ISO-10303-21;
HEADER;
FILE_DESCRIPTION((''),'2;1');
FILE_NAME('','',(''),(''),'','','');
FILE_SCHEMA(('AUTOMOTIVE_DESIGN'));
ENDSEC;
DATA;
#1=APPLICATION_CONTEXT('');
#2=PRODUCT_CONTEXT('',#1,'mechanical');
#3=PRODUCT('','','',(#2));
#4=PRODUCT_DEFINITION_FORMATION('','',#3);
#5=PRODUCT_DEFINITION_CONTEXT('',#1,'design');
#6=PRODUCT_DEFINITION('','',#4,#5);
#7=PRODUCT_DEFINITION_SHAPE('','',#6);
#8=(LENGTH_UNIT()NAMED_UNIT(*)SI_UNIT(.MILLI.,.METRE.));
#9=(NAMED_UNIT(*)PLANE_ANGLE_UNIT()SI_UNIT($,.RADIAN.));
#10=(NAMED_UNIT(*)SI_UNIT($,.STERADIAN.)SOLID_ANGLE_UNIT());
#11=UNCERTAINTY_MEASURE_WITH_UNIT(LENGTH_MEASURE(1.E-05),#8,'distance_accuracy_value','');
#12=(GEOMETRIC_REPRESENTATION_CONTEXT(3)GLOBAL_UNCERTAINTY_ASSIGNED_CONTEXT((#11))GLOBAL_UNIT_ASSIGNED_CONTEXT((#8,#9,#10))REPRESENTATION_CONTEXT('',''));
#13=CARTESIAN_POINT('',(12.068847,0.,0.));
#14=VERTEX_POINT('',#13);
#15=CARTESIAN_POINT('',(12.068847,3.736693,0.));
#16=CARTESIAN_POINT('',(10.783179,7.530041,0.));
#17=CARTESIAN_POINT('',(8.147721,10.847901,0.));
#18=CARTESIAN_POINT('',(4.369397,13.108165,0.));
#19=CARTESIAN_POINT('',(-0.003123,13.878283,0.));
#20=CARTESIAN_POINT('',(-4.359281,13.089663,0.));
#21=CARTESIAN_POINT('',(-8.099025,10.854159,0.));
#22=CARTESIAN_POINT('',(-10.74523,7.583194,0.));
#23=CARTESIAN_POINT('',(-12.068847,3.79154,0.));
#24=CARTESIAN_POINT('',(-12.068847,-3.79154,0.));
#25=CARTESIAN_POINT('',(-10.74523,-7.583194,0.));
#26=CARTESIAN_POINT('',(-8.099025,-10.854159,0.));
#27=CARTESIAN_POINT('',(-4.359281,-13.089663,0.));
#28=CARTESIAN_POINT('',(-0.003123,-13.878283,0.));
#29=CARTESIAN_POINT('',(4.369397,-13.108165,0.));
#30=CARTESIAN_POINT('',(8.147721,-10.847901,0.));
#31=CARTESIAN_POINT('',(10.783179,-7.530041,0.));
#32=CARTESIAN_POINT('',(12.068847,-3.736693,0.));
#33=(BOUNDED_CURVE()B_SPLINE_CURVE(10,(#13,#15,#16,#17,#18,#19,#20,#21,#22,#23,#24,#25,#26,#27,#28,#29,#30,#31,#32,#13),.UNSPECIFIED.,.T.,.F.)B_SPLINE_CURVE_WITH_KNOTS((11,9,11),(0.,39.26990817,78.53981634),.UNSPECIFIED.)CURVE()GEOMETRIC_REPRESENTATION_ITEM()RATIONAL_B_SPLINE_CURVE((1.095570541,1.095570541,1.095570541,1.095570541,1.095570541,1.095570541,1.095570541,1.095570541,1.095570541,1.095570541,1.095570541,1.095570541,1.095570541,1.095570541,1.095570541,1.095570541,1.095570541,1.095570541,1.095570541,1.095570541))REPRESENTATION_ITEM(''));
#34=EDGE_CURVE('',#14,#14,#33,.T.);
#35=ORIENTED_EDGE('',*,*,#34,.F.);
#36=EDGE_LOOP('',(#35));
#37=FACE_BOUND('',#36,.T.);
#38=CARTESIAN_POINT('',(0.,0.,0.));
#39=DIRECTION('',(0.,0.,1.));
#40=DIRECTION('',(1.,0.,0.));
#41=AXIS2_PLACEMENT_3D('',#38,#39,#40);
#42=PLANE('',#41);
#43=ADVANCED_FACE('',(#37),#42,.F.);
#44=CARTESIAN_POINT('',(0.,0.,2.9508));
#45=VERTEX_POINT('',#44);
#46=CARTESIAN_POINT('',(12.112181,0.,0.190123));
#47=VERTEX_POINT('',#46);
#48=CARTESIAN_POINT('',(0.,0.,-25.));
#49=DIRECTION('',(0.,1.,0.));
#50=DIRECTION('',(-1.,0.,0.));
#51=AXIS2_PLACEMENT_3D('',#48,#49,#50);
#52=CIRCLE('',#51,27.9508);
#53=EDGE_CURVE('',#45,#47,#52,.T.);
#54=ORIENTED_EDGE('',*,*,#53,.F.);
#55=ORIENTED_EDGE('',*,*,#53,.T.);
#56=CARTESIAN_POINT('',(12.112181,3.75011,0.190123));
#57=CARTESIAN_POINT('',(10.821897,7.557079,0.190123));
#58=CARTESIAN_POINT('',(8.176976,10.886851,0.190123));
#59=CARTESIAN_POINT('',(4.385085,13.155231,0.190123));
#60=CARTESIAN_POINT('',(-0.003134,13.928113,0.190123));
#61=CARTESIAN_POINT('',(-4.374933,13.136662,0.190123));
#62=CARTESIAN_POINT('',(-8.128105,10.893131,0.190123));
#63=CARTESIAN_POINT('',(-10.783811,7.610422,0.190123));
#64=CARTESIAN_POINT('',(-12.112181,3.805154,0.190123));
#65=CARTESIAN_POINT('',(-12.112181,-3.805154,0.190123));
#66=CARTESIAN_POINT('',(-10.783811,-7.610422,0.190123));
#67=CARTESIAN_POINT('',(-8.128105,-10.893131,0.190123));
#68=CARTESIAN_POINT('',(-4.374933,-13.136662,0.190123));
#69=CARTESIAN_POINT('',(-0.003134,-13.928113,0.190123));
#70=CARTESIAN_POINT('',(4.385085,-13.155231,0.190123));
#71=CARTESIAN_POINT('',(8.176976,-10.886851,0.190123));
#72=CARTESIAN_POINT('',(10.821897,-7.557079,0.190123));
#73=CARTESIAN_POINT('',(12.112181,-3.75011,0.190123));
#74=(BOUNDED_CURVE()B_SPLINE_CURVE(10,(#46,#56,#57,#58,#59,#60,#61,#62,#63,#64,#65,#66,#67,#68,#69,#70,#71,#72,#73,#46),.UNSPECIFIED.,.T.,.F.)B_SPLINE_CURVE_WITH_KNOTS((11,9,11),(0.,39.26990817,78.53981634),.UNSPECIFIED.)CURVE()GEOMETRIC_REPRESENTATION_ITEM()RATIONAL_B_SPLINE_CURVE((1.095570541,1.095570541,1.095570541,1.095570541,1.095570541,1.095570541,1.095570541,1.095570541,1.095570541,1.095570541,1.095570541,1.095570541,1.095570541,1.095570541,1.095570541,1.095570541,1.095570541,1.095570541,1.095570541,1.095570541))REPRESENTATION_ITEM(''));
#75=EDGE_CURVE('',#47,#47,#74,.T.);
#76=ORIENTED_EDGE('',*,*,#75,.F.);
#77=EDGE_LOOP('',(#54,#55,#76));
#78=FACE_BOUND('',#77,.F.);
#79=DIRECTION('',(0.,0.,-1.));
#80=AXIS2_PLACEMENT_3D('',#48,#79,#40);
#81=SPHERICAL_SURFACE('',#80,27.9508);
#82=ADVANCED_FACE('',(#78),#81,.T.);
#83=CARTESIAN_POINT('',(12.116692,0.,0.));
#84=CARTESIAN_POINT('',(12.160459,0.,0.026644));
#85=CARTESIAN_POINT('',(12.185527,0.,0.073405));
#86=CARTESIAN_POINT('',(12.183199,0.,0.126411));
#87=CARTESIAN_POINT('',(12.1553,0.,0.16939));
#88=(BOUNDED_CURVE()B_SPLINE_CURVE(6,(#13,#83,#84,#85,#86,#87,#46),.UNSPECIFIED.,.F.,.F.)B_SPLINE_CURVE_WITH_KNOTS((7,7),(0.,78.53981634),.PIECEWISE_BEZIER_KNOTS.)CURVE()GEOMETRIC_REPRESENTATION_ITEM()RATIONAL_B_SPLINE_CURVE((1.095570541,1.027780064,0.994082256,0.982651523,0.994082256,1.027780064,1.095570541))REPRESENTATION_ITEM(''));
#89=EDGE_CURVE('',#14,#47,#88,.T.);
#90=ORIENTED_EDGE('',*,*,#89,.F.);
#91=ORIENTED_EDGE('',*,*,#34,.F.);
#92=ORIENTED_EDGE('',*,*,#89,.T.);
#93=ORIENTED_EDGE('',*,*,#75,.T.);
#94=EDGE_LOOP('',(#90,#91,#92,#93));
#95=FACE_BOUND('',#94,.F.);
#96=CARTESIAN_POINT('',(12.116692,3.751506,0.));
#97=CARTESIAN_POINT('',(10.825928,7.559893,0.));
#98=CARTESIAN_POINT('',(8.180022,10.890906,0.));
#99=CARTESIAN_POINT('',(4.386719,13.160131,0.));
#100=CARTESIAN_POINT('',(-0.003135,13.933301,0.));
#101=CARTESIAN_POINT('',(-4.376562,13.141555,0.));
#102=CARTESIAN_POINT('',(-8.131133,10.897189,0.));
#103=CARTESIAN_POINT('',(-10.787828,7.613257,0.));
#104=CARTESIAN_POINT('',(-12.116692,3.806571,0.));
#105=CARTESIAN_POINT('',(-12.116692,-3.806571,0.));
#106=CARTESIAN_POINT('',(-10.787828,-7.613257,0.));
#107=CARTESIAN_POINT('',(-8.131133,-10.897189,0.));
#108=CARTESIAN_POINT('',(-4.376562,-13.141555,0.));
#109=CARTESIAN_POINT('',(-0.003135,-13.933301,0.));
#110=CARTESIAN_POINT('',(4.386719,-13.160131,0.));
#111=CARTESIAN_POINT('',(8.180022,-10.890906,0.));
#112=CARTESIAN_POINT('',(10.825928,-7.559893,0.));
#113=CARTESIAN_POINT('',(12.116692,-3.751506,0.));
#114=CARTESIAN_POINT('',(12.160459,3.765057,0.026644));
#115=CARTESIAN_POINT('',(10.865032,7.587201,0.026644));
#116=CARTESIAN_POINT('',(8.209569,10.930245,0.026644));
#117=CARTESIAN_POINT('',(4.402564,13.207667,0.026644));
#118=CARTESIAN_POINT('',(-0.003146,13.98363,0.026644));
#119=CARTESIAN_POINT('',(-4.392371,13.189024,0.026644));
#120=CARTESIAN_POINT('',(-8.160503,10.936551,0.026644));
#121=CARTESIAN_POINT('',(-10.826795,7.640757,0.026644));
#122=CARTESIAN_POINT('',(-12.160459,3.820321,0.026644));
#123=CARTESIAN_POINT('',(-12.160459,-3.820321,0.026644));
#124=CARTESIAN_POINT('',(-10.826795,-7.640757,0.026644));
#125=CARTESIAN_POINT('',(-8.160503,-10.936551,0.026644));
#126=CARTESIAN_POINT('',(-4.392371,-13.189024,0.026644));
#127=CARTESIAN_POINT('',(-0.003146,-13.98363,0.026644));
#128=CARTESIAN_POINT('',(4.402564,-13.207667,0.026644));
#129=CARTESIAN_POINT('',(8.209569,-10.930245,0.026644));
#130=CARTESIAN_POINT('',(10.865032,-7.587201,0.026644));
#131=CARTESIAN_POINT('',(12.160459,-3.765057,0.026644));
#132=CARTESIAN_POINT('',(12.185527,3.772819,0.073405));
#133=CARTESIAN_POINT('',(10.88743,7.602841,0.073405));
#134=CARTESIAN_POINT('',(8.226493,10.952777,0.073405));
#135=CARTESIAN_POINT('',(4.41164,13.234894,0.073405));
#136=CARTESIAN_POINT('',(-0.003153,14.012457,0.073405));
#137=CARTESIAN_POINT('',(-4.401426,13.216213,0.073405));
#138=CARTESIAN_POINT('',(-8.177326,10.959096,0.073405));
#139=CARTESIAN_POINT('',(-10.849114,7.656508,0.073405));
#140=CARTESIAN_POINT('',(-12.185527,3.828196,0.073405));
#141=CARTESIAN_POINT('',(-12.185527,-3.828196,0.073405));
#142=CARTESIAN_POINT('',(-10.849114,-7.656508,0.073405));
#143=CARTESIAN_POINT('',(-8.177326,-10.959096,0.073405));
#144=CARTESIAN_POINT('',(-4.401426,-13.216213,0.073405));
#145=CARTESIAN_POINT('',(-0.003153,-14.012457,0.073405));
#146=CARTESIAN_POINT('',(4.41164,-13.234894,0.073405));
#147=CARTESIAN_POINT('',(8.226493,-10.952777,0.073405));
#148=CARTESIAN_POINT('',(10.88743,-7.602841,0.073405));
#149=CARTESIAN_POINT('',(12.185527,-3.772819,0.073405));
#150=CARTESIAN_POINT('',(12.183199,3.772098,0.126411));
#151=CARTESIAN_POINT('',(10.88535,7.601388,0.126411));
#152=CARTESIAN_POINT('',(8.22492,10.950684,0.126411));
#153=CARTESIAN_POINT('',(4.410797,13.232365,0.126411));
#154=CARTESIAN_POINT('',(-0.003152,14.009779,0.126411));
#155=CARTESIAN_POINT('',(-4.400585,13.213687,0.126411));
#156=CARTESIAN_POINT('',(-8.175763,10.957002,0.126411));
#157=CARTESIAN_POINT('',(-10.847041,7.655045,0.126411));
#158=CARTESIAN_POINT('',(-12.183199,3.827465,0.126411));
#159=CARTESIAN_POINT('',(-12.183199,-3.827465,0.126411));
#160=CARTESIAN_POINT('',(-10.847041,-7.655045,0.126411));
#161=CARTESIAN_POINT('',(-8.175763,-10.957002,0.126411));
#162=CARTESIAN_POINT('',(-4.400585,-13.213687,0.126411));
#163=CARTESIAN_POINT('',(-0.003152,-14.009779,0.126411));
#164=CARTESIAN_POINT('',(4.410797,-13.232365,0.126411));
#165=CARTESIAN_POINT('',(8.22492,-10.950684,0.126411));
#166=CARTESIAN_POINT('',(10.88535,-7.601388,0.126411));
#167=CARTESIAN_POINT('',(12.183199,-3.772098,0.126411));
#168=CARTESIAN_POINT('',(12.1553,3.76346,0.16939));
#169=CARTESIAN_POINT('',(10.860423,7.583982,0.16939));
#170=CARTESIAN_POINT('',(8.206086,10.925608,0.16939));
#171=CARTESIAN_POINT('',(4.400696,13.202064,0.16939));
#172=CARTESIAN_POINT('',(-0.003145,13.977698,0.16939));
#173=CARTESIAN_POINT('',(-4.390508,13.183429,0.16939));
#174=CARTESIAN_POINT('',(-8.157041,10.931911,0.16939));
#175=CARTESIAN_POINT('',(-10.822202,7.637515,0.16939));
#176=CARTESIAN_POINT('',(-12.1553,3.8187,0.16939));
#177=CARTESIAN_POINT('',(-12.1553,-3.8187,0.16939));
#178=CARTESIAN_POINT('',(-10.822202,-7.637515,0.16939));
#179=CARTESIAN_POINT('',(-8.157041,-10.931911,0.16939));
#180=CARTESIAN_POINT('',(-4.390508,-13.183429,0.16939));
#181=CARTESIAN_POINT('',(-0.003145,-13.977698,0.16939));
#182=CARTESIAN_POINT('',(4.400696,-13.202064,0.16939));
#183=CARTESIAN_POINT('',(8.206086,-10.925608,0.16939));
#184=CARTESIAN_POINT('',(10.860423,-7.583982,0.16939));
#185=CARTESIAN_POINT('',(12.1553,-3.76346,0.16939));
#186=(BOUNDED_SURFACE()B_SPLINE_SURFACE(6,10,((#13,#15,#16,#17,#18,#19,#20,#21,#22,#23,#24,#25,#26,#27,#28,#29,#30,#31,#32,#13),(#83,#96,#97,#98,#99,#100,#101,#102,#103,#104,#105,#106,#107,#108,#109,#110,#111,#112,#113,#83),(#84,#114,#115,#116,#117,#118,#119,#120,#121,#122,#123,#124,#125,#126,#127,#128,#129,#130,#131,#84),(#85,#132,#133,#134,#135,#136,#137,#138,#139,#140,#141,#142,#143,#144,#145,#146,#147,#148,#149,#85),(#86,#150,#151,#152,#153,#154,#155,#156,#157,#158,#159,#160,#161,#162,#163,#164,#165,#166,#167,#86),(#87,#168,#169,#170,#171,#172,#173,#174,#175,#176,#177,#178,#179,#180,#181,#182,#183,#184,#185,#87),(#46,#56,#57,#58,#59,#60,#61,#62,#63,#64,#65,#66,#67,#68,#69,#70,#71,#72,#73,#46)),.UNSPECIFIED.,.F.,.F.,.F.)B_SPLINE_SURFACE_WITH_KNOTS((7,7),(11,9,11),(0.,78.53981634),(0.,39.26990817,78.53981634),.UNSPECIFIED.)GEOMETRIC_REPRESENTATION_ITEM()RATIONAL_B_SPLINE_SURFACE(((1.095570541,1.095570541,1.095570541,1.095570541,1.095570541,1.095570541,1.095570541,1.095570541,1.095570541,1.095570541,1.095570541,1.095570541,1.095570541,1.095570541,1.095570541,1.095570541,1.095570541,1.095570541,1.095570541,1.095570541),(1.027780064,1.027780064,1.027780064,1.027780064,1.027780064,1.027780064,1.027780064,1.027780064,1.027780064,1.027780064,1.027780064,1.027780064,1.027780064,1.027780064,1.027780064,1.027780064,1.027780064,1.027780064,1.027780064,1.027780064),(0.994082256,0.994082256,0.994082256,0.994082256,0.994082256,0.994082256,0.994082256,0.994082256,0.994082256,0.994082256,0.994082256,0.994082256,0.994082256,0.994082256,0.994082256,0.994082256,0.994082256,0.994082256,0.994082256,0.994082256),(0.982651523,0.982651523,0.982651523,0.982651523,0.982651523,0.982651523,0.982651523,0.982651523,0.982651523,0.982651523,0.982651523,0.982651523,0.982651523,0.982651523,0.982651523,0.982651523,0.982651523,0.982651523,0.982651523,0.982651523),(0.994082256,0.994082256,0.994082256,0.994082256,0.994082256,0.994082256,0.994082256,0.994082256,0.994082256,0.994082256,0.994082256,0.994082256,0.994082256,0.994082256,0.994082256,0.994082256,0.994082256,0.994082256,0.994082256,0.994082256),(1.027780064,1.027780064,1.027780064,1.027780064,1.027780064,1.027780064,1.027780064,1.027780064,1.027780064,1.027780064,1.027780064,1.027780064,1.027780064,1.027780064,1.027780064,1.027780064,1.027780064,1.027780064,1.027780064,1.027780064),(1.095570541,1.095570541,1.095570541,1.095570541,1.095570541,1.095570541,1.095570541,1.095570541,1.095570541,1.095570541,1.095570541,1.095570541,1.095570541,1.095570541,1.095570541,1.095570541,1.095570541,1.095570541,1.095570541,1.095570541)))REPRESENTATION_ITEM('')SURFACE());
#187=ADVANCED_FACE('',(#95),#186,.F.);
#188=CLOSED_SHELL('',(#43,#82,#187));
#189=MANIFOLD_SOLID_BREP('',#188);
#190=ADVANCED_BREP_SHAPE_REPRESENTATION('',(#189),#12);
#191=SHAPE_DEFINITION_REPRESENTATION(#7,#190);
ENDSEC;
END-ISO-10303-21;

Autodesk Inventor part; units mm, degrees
ref_plane "YZ Plane" through (0, 0, 0) normal (1, 0, 0) x (0, 1, 0)
ref_plane "XZ Plane" through (0, 0, 0) normal (0, 1, 0) x (-1, 0, 0)
ref_plane "XY Plane" through (0, 0, 0) normal (0, 0, 1) x (1, 0, 0)
sketch "Sketch1" plane through (0, 0, 0) normal (0, 1, 0) x (-1, 0, 0)
  line L0 (0, 0) -> (-12.5, 0)
  circle A0 centre (0, -25) radius 27.9508
  line L1 (0, 0) -> (0, 2.9508)
  dimension "d0" = 12.5
  dimension "d1" = 25
revolve "Revolution1" add sketch "Sketch1" angle 360 about axis through (0, 0, 0) along (0, 0, 1) picked at (-7.0009, 0.542) contours L0 A0 L1
fillet "Fillet1" radius 0.1 1 edges at (-12.5, 0, 0)
properties part number "Plano convex Lens"
